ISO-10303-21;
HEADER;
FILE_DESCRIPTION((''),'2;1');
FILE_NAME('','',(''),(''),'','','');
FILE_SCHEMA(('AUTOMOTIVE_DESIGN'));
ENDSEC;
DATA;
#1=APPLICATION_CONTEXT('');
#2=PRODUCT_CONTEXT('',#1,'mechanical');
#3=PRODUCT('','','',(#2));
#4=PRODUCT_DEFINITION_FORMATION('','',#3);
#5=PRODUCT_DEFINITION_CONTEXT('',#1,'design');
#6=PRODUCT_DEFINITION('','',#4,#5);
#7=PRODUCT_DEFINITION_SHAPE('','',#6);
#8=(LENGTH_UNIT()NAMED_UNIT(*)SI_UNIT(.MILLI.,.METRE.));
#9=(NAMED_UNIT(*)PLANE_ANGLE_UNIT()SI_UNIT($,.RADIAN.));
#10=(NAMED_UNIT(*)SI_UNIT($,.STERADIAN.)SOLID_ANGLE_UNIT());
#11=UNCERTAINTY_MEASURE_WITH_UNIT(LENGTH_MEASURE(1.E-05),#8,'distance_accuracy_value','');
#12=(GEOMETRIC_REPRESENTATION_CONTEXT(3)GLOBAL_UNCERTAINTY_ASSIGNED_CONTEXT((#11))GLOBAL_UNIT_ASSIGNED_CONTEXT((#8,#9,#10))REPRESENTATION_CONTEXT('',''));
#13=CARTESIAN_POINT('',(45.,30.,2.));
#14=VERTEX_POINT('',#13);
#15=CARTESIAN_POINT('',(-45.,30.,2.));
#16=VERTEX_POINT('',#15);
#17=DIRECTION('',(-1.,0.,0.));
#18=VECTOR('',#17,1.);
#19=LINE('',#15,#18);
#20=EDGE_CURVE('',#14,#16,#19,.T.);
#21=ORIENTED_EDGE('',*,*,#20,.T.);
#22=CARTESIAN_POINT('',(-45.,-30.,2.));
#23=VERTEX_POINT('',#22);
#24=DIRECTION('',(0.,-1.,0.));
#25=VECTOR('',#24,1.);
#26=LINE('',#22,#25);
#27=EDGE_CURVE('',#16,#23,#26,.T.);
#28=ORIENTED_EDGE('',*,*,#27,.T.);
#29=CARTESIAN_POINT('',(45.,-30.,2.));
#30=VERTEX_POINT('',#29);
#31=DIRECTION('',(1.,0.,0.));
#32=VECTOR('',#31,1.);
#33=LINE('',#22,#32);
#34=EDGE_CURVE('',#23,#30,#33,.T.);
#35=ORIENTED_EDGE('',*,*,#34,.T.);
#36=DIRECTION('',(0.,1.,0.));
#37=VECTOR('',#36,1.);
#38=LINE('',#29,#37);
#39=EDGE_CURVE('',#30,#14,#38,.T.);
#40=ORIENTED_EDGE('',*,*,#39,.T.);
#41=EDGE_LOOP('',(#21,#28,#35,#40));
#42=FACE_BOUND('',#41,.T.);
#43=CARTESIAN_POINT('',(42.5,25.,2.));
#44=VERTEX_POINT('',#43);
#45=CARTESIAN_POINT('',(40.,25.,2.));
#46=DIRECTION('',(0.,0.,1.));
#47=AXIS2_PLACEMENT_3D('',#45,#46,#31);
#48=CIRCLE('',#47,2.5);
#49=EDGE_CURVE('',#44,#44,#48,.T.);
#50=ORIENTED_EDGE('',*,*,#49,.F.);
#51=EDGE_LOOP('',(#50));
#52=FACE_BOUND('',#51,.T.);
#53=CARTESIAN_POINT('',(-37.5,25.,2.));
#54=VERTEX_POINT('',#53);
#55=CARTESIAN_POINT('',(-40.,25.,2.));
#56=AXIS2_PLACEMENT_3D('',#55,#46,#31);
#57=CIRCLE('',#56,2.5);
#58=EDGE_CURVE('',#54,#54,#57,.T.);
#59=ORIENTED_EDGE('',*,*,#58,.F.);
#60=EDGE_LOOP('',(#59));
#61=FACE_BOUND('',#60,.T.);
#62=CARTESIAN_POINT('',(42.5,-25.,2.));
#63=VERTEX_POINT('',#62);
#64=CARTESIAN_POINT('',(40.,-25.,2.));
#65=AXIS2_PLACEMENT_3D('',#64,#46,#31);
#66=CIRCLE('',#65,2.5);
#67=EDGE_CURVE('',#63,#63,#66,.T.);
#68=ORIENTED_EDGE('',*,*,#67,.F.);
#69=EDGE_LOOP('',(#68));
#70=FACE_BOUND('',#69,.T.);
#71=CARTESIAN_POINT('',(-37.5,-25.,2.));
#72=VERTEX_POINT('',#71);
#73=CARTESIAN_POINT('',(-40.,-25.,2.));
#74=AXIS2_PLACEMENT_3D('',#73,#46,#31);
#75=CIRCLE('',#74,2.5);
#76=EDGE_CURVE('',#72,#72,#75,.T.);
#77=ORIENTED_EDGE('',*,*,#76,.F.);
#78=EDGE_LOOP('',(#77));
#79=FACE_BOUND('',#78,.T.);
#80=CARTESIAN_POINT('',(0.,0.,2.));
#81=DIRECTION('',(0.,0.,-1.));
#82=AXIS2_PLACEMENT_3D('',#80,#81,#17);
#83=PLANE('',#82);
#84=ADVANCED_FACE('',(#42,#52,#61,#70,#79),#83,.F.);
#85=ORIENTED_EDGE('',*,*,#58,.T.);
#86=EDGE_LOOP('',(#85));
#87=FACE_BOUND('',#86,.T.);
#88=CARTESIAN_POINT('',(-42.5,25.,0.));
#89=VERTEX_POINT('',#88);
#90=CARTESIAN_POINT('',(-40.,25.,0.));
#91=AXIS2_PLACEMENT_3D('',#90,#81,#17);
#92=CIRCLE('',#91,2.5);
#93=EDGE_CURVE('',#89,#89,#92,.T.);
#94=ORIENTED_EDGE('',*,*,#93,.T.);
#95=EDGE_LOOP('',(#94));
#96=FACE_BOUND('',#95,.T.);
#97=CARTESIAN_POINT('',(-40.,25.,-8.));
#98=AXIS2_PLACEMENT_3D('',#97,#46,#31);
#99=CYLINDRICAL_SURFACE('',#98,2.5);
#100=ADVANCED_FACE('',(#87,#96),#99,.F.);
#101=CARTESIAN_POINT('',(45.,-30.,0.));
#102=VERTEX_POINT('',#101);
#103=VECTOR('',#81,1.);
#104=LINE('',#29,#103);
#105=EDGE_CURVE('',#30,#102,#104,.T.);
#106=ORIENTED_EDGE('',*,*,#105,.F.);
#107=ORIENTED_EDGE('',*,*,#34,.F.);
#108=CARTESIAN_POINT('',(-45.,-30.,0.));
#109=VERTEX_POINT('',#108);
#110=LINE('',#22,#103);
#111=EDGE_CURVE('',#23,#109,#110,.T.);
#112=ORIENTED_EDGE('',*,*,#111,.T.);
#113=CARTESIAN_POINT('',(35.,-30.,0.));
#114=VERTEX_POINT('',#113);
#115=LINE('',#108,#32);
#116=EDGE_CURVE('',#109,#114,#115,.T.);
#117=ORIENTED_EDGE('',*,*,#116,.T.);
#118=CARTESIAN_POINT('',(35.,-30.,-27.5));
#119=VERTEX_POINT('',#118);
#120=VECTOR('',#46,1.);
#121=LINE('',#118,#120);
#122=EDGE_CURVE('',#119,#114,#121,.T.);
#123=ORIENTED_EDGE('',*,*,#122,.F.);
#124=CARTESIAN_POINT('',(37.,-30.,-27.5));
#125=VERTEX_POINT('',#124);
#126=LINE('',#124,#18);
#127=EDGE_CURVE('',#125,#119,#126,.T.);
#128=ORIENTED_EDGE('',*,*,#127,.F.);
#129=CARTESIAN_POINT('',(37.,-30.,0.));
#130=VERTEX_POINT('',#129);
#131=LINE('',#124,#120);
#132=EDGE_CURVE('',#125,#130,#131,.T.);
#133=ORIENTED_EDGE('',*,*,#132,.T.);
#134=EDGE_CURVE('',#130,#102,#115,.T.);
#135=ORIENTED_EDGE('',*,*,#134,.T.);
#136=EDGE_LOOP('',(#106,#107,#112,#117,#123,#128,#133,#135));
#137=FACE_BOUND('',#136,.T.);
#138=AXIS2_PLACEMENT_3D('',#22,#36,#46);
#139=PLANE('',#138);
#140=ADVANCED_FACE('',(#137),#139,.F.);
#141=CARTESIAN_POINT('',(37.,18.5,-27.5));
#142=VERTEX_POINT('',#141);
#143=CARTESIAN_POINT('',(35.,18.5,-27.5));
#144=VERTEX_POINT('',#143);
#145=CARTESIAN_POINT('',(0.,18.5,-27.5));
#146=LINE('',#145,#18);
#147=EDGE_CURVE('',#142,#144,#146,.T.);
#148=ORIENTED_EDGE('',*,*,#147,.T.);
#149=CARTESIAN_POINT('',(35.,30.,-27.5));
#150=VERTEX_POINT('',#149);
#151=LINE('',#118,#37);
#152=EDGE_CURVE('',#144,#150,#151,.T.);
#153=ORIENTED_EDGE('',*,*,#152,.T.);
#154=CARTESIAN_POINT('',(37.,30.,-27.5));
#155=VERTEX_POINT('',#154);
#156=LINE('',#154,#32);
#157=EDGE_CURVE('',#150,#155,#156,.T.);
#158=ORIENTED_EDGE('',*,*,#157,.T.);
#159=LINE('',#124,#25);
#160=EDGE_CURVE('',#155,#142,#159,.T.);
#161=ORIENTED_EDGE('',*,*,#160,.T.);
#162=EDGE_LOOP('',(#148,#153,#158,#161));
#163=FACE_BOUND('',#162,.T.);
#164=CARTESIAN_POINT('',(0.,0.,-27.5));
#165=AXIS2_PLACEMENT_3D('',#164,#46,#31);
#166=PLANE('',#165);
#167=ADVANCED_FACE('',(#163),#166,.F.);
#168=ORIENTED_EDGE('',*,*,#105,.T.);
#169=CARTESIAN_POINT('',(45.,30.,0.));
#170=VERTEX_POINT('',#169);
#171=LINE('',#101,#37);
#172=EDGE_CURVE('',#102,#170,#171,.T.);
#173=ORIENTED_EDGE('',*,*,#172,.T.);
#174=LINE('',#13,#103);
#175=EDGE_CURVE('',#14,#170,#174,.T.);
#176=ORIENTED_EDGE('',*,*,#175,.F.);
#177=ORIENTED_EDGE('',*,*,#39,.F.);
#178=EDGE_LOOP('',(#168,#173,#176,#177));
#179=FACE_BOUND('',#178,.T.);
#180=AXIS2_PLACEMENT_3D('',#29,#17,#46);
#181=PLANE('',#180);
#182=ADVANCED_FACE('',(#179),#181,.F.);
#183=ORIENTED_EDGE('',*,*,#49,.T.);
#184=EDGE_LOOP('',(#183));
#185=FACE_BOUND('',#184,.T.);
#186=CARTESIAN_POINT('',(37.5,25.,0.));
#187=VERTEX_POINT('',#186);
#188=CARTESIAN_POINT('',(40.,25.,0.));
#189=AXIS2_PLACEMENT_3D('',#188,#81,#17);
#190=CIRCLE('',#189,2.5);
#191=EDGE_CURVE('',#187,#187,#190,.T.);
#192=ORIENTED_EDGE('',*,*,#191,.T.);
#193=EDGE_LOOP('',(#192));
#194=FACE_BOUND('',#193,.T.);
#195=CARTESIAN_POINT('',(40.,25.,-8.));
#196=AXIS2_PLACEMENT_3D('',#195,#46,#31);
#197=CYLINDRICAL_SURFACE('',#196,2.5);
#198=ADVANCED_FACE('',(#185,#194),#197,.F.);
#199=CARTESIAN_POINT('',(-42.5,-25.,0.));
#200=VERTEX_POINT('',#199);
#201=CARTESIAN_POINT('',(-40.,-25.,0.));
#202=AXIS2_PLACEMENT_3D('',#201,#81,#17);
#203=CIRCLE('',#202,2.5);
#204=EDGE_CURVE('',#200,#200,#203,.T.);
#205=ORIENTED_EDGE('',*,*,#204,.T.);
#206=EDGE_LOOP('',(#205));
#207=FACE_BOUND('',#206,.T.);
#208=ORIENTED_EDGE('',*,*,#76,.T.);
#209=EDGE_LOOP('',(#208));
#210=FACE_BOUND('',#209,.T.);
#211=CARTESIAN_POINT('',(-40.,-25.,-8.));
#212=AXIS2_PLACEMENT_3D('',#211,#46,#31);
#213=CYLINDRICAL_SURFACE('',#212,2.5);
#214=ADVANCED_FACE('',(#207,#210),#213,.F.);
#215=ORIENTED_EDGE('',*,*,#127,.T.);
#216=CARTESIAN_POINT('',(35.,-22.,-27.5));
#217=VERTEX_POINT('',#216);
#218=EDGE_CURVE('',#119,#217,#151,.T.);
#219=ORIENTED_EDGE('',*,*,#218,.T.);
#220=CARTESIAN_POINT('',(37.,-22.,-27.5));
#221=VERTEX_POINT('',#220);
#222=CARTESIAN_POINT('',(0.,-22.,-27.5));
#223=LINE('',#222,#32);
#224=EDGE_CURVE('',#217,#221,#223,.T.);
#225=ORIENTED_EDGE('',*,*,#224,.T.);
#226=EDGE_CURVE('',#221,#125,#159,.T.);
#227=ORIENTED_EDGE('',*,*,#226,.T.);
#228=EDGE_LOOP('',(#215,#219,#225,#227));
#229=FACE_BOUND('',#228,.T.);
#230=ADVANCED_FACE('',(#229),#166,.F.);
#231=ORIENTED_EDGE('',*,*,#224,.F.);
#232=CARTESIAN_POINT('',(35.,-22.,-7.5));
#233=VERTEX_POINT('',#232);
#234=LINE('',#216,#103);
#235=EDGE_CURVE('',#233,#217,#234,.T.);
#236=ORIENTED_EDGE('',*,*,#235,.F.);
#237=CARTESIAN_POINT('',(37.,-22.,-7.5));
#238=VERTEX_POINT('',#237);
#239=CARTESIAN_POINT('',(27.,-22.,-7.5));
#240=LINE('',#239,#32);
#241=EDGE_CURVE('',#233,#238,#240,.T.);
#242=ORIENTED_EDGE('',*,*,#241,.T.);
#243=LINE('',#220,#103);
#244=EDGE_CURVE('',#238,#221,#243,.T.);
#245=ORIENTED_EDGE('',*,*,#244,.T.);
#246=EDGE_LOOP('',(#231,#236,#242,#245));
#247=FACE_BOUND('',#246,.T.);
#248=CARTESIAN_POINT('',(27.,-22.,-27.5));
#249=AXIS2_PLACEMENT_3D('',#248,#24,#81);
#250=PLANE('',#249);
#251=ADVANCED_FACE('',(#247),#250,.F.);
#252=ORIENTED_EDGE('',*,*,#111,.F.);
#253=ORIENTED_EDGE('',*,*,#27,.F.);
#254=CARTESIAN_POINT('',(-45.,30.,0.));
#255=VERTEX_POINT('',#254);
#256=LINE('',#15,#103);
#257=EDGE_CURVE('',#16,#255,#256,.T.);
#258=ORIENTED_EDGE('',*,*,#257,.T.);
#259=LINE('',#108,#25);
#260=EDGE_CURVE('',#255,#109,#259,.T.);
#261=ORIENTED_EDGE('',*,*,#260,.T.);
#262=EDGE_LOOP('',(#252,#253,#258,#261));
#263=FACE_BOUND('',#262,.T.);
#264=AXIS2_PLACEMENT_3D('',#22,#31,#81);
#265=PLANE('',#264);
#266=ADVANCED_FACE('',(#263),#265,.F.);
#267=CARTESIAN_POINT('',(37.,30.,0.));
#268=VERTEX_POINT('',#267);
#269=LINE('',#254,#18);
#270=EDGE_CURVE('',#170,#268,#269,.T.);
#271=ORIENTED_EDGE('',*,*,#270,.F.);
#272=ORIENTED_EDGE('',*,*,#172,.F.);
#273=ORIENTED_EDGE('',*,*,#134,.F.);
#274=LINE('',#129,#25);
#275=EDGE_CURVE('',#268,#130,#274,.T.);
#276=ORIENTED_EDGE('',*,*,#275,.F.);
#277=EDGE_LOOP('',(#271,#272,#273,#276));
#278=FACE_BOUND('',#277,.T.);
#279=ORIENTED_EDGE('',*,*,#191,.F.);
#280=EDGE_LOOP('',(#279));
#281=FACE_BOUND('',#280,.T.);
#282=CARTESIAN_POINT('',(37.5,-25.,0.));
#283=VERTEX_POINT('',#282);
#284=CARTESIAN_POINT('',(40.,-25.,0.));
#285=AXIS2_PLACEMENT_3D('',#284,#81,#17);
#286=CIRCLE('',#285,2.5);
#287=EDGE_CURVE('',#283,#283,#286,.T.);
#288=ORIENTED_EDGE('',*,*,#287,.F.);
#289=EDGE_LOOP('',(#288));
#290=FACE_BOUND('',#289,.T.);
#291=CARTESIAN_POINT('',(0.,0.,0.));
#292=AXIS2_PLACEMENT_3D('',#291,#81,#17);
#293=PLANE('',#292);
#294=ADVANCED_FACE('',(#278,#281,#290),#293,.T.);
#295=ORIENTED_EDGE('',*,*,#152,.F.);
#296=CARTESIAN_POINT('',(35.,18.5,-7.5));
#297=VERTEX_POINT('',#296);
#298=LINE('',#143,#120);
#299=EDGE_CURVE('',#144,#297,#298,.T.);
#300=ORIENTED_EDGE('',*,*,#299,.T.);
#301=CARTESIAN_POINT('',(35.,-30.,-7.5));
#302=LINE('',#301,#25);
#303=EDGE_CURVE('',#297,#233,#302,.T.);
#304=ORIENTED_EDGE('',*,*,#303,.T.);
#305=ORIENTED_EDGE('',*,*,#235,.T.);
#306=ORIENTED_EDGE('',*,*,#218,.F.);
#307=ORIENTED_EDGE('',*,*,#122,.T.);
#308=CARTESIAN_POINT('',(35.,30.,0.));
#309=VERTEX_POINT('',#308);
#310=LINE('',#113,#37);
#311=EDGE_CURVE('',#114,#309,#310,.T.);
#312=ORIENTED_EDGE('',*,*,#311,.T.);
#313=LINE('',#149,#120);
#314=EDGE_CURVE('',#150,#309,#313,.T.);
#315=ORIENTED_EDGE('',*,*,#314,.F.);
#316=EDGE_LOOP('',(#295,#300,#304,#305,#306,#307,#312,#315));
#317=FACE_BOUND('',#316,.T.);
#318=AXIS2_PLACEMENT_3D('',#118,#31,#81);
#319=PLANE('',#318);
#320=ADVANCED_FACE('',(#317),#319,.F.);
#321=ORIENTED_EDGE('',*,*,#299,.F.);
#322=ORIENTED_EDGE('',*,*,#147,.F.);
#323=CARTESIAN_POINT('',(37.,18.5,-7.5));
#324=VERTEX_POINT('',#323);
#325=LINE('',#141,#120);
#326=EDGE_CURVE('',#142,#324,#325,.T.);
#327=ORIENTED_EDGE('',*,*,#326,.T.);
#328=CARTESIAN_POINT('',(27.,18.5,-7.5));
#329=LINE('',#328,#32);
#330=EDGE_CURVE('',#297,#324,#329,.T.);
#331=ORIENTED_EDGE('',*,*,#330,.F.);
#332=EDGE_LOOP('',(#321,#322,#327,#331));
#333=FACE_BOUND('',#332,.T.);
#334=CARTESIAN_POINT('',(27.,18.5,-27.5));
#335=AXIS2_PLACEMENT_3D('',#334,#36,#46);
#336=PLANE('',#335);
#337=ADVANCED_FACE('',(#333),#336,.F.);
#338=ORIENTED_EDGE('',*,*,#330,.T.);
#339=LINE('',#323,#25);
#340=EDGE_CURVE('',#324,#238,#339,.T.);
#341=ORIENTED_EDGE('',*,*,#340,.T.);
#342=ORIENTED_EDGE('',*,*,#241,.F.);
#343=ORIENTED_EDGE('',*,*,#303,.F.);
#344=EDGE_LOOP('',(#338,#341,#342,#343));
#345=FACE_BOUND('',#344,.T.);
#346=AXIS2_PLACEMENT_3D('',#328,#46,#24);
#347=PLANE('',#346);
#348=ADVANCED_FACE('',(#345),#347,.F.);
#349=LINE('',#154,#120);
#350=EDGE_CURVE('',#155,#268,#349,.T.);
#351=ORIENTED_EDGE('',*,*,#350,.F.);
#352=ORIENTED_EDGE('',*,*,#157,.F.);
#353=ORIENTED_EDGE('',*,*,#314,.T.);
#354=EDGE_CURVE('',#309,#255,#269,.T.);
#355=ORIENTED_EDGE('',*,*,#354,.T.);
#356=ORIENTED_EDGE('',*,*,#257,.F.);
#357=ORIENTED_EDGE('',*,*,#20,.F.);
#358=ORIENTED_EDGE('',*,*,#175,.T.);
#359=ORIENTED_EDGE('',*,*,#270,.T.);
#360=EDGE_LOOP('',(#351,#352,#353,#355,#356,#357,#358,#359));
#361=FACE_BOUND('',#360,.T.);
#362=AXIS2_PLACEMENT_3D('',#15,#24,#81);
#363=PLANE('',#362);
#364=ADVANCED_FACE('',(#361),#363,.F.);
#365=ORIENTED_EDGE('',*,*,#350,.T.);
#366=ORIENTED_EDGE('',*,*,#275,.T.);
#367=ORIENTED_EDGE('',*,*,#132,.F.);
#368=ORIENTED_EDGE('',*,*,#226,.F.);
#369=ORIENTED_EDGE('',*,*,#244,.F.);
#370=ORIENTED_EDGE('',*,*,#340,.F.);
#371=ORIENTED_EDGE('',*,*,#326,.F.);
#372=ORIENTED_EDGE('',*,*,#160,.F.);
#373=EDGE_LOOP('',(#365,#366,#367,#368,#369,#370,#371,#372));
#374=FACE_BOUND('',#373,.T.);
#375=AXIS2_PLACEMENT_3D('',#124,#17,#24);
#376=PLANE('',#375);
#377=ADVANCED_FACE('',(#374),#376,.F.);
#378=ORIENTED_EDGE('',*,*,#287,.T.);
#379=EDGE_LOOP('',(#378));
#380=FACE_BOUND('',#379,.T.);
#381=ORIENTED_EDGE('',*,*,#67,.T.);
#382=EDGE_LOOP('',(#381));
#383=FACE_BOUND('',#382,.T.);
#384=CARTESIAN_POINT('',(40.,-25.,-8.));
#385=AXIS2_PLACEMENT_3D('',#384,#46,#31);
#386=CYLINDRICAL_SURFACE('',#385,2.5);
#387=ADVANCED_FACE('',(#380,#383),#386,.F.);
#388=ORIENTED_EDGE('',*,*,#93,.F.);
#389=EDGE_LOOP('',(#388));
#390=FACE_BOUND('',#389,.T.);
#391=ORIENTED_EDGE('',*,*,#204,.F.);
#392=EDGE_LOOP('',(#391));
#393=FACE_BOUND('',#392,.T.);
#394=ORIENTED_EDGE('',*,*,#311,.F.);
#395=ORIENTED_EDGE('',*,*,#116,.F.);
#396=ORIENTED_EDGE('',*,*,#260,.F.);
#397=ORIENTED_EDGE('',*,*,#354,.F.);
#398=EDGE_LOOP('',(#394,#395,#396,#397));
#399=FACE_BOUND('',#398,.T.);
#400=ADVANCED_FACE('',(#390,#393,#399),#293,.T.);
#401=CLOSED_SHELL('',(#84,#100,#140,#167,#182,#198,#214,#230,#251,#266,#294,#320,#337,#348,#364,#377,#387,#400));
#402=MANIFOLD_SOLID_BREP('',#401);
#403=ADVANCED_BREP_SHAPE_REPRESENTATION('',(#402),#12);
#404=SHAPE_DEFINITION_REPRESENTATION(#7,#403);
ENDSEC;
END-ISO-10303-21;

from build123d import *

# Parameters (mm, degrees)
SKETCH1_W           = 90
SKETCH1_H           = 60
BOSS_EXTRUDE1_DEPTH = 2
SKETCH2_R           = 2.5
CUT_EXTRUDE1_DEPTH  = 10
SKETCH3_W           = 2
SKETCH3_H           = 60
BOSS_EXTRUDE4_DEPTH = 27.5
SKETCH4_W           = 20
SKETCH4_H           = 40.5
CUT_EXTRUDE2_DEPTH  = 10


with BuildPart() as part:
    # Sketch1 → Boss-Extrude1 (new body)
    with BuildSketch(Plane.XY):
        Rectangle(SKETCH1_W, SKETCH1_H)
    extrude(amount=BOSS_EXTRUDE1_DEPTH)

    # Sketch2 → Cut-Extrude1 (cut)
    with BuildSketch(Plane.XY.offset(2)):
        with Locations((-40, -25)):
            Circle(SKETCH2_R)
        with Locations((-40, 25)):
            Circle(SKETCH2_R)
        with Locations((40, 25)):
            Circle(SKETCH2_R)
        with Locations((40, -25)):
            Circle(SKETCH2_R)
    extrude(amount=-CUT_EXTRUDE1_DEPTH, mode=Mode.SUBTRACT)

    # Sketch3 → Boss-Extrude4 (add)
    with BuildSketch(Plane(origin=(0, 0, 0), x_dir=(-1, 0, 0), z_dir=(0, 0, -1))):
        with Locations((-36, 0)):
            Rectangle(SKETCH3_W, SKETCH3_H)
    extrude(amount=BOSS_EXTRUDE4_DEPTH)

    # Sketch4 → Cut-Extrude2 (cut)
    with BuildSketch(Plane(origin=(37, 0, 0), x_dir=(0, 0, -1), z_dir=(1, 0, 0))):
        with Locations((17.5, -1.75)):
            Rectangle(SKETCH4_W, SKETCH4_H)
    extrude(amount=-CUT_EXTRUDE2_DEPTH, mode=Mode.SUBTRACT)


solid = part.part
